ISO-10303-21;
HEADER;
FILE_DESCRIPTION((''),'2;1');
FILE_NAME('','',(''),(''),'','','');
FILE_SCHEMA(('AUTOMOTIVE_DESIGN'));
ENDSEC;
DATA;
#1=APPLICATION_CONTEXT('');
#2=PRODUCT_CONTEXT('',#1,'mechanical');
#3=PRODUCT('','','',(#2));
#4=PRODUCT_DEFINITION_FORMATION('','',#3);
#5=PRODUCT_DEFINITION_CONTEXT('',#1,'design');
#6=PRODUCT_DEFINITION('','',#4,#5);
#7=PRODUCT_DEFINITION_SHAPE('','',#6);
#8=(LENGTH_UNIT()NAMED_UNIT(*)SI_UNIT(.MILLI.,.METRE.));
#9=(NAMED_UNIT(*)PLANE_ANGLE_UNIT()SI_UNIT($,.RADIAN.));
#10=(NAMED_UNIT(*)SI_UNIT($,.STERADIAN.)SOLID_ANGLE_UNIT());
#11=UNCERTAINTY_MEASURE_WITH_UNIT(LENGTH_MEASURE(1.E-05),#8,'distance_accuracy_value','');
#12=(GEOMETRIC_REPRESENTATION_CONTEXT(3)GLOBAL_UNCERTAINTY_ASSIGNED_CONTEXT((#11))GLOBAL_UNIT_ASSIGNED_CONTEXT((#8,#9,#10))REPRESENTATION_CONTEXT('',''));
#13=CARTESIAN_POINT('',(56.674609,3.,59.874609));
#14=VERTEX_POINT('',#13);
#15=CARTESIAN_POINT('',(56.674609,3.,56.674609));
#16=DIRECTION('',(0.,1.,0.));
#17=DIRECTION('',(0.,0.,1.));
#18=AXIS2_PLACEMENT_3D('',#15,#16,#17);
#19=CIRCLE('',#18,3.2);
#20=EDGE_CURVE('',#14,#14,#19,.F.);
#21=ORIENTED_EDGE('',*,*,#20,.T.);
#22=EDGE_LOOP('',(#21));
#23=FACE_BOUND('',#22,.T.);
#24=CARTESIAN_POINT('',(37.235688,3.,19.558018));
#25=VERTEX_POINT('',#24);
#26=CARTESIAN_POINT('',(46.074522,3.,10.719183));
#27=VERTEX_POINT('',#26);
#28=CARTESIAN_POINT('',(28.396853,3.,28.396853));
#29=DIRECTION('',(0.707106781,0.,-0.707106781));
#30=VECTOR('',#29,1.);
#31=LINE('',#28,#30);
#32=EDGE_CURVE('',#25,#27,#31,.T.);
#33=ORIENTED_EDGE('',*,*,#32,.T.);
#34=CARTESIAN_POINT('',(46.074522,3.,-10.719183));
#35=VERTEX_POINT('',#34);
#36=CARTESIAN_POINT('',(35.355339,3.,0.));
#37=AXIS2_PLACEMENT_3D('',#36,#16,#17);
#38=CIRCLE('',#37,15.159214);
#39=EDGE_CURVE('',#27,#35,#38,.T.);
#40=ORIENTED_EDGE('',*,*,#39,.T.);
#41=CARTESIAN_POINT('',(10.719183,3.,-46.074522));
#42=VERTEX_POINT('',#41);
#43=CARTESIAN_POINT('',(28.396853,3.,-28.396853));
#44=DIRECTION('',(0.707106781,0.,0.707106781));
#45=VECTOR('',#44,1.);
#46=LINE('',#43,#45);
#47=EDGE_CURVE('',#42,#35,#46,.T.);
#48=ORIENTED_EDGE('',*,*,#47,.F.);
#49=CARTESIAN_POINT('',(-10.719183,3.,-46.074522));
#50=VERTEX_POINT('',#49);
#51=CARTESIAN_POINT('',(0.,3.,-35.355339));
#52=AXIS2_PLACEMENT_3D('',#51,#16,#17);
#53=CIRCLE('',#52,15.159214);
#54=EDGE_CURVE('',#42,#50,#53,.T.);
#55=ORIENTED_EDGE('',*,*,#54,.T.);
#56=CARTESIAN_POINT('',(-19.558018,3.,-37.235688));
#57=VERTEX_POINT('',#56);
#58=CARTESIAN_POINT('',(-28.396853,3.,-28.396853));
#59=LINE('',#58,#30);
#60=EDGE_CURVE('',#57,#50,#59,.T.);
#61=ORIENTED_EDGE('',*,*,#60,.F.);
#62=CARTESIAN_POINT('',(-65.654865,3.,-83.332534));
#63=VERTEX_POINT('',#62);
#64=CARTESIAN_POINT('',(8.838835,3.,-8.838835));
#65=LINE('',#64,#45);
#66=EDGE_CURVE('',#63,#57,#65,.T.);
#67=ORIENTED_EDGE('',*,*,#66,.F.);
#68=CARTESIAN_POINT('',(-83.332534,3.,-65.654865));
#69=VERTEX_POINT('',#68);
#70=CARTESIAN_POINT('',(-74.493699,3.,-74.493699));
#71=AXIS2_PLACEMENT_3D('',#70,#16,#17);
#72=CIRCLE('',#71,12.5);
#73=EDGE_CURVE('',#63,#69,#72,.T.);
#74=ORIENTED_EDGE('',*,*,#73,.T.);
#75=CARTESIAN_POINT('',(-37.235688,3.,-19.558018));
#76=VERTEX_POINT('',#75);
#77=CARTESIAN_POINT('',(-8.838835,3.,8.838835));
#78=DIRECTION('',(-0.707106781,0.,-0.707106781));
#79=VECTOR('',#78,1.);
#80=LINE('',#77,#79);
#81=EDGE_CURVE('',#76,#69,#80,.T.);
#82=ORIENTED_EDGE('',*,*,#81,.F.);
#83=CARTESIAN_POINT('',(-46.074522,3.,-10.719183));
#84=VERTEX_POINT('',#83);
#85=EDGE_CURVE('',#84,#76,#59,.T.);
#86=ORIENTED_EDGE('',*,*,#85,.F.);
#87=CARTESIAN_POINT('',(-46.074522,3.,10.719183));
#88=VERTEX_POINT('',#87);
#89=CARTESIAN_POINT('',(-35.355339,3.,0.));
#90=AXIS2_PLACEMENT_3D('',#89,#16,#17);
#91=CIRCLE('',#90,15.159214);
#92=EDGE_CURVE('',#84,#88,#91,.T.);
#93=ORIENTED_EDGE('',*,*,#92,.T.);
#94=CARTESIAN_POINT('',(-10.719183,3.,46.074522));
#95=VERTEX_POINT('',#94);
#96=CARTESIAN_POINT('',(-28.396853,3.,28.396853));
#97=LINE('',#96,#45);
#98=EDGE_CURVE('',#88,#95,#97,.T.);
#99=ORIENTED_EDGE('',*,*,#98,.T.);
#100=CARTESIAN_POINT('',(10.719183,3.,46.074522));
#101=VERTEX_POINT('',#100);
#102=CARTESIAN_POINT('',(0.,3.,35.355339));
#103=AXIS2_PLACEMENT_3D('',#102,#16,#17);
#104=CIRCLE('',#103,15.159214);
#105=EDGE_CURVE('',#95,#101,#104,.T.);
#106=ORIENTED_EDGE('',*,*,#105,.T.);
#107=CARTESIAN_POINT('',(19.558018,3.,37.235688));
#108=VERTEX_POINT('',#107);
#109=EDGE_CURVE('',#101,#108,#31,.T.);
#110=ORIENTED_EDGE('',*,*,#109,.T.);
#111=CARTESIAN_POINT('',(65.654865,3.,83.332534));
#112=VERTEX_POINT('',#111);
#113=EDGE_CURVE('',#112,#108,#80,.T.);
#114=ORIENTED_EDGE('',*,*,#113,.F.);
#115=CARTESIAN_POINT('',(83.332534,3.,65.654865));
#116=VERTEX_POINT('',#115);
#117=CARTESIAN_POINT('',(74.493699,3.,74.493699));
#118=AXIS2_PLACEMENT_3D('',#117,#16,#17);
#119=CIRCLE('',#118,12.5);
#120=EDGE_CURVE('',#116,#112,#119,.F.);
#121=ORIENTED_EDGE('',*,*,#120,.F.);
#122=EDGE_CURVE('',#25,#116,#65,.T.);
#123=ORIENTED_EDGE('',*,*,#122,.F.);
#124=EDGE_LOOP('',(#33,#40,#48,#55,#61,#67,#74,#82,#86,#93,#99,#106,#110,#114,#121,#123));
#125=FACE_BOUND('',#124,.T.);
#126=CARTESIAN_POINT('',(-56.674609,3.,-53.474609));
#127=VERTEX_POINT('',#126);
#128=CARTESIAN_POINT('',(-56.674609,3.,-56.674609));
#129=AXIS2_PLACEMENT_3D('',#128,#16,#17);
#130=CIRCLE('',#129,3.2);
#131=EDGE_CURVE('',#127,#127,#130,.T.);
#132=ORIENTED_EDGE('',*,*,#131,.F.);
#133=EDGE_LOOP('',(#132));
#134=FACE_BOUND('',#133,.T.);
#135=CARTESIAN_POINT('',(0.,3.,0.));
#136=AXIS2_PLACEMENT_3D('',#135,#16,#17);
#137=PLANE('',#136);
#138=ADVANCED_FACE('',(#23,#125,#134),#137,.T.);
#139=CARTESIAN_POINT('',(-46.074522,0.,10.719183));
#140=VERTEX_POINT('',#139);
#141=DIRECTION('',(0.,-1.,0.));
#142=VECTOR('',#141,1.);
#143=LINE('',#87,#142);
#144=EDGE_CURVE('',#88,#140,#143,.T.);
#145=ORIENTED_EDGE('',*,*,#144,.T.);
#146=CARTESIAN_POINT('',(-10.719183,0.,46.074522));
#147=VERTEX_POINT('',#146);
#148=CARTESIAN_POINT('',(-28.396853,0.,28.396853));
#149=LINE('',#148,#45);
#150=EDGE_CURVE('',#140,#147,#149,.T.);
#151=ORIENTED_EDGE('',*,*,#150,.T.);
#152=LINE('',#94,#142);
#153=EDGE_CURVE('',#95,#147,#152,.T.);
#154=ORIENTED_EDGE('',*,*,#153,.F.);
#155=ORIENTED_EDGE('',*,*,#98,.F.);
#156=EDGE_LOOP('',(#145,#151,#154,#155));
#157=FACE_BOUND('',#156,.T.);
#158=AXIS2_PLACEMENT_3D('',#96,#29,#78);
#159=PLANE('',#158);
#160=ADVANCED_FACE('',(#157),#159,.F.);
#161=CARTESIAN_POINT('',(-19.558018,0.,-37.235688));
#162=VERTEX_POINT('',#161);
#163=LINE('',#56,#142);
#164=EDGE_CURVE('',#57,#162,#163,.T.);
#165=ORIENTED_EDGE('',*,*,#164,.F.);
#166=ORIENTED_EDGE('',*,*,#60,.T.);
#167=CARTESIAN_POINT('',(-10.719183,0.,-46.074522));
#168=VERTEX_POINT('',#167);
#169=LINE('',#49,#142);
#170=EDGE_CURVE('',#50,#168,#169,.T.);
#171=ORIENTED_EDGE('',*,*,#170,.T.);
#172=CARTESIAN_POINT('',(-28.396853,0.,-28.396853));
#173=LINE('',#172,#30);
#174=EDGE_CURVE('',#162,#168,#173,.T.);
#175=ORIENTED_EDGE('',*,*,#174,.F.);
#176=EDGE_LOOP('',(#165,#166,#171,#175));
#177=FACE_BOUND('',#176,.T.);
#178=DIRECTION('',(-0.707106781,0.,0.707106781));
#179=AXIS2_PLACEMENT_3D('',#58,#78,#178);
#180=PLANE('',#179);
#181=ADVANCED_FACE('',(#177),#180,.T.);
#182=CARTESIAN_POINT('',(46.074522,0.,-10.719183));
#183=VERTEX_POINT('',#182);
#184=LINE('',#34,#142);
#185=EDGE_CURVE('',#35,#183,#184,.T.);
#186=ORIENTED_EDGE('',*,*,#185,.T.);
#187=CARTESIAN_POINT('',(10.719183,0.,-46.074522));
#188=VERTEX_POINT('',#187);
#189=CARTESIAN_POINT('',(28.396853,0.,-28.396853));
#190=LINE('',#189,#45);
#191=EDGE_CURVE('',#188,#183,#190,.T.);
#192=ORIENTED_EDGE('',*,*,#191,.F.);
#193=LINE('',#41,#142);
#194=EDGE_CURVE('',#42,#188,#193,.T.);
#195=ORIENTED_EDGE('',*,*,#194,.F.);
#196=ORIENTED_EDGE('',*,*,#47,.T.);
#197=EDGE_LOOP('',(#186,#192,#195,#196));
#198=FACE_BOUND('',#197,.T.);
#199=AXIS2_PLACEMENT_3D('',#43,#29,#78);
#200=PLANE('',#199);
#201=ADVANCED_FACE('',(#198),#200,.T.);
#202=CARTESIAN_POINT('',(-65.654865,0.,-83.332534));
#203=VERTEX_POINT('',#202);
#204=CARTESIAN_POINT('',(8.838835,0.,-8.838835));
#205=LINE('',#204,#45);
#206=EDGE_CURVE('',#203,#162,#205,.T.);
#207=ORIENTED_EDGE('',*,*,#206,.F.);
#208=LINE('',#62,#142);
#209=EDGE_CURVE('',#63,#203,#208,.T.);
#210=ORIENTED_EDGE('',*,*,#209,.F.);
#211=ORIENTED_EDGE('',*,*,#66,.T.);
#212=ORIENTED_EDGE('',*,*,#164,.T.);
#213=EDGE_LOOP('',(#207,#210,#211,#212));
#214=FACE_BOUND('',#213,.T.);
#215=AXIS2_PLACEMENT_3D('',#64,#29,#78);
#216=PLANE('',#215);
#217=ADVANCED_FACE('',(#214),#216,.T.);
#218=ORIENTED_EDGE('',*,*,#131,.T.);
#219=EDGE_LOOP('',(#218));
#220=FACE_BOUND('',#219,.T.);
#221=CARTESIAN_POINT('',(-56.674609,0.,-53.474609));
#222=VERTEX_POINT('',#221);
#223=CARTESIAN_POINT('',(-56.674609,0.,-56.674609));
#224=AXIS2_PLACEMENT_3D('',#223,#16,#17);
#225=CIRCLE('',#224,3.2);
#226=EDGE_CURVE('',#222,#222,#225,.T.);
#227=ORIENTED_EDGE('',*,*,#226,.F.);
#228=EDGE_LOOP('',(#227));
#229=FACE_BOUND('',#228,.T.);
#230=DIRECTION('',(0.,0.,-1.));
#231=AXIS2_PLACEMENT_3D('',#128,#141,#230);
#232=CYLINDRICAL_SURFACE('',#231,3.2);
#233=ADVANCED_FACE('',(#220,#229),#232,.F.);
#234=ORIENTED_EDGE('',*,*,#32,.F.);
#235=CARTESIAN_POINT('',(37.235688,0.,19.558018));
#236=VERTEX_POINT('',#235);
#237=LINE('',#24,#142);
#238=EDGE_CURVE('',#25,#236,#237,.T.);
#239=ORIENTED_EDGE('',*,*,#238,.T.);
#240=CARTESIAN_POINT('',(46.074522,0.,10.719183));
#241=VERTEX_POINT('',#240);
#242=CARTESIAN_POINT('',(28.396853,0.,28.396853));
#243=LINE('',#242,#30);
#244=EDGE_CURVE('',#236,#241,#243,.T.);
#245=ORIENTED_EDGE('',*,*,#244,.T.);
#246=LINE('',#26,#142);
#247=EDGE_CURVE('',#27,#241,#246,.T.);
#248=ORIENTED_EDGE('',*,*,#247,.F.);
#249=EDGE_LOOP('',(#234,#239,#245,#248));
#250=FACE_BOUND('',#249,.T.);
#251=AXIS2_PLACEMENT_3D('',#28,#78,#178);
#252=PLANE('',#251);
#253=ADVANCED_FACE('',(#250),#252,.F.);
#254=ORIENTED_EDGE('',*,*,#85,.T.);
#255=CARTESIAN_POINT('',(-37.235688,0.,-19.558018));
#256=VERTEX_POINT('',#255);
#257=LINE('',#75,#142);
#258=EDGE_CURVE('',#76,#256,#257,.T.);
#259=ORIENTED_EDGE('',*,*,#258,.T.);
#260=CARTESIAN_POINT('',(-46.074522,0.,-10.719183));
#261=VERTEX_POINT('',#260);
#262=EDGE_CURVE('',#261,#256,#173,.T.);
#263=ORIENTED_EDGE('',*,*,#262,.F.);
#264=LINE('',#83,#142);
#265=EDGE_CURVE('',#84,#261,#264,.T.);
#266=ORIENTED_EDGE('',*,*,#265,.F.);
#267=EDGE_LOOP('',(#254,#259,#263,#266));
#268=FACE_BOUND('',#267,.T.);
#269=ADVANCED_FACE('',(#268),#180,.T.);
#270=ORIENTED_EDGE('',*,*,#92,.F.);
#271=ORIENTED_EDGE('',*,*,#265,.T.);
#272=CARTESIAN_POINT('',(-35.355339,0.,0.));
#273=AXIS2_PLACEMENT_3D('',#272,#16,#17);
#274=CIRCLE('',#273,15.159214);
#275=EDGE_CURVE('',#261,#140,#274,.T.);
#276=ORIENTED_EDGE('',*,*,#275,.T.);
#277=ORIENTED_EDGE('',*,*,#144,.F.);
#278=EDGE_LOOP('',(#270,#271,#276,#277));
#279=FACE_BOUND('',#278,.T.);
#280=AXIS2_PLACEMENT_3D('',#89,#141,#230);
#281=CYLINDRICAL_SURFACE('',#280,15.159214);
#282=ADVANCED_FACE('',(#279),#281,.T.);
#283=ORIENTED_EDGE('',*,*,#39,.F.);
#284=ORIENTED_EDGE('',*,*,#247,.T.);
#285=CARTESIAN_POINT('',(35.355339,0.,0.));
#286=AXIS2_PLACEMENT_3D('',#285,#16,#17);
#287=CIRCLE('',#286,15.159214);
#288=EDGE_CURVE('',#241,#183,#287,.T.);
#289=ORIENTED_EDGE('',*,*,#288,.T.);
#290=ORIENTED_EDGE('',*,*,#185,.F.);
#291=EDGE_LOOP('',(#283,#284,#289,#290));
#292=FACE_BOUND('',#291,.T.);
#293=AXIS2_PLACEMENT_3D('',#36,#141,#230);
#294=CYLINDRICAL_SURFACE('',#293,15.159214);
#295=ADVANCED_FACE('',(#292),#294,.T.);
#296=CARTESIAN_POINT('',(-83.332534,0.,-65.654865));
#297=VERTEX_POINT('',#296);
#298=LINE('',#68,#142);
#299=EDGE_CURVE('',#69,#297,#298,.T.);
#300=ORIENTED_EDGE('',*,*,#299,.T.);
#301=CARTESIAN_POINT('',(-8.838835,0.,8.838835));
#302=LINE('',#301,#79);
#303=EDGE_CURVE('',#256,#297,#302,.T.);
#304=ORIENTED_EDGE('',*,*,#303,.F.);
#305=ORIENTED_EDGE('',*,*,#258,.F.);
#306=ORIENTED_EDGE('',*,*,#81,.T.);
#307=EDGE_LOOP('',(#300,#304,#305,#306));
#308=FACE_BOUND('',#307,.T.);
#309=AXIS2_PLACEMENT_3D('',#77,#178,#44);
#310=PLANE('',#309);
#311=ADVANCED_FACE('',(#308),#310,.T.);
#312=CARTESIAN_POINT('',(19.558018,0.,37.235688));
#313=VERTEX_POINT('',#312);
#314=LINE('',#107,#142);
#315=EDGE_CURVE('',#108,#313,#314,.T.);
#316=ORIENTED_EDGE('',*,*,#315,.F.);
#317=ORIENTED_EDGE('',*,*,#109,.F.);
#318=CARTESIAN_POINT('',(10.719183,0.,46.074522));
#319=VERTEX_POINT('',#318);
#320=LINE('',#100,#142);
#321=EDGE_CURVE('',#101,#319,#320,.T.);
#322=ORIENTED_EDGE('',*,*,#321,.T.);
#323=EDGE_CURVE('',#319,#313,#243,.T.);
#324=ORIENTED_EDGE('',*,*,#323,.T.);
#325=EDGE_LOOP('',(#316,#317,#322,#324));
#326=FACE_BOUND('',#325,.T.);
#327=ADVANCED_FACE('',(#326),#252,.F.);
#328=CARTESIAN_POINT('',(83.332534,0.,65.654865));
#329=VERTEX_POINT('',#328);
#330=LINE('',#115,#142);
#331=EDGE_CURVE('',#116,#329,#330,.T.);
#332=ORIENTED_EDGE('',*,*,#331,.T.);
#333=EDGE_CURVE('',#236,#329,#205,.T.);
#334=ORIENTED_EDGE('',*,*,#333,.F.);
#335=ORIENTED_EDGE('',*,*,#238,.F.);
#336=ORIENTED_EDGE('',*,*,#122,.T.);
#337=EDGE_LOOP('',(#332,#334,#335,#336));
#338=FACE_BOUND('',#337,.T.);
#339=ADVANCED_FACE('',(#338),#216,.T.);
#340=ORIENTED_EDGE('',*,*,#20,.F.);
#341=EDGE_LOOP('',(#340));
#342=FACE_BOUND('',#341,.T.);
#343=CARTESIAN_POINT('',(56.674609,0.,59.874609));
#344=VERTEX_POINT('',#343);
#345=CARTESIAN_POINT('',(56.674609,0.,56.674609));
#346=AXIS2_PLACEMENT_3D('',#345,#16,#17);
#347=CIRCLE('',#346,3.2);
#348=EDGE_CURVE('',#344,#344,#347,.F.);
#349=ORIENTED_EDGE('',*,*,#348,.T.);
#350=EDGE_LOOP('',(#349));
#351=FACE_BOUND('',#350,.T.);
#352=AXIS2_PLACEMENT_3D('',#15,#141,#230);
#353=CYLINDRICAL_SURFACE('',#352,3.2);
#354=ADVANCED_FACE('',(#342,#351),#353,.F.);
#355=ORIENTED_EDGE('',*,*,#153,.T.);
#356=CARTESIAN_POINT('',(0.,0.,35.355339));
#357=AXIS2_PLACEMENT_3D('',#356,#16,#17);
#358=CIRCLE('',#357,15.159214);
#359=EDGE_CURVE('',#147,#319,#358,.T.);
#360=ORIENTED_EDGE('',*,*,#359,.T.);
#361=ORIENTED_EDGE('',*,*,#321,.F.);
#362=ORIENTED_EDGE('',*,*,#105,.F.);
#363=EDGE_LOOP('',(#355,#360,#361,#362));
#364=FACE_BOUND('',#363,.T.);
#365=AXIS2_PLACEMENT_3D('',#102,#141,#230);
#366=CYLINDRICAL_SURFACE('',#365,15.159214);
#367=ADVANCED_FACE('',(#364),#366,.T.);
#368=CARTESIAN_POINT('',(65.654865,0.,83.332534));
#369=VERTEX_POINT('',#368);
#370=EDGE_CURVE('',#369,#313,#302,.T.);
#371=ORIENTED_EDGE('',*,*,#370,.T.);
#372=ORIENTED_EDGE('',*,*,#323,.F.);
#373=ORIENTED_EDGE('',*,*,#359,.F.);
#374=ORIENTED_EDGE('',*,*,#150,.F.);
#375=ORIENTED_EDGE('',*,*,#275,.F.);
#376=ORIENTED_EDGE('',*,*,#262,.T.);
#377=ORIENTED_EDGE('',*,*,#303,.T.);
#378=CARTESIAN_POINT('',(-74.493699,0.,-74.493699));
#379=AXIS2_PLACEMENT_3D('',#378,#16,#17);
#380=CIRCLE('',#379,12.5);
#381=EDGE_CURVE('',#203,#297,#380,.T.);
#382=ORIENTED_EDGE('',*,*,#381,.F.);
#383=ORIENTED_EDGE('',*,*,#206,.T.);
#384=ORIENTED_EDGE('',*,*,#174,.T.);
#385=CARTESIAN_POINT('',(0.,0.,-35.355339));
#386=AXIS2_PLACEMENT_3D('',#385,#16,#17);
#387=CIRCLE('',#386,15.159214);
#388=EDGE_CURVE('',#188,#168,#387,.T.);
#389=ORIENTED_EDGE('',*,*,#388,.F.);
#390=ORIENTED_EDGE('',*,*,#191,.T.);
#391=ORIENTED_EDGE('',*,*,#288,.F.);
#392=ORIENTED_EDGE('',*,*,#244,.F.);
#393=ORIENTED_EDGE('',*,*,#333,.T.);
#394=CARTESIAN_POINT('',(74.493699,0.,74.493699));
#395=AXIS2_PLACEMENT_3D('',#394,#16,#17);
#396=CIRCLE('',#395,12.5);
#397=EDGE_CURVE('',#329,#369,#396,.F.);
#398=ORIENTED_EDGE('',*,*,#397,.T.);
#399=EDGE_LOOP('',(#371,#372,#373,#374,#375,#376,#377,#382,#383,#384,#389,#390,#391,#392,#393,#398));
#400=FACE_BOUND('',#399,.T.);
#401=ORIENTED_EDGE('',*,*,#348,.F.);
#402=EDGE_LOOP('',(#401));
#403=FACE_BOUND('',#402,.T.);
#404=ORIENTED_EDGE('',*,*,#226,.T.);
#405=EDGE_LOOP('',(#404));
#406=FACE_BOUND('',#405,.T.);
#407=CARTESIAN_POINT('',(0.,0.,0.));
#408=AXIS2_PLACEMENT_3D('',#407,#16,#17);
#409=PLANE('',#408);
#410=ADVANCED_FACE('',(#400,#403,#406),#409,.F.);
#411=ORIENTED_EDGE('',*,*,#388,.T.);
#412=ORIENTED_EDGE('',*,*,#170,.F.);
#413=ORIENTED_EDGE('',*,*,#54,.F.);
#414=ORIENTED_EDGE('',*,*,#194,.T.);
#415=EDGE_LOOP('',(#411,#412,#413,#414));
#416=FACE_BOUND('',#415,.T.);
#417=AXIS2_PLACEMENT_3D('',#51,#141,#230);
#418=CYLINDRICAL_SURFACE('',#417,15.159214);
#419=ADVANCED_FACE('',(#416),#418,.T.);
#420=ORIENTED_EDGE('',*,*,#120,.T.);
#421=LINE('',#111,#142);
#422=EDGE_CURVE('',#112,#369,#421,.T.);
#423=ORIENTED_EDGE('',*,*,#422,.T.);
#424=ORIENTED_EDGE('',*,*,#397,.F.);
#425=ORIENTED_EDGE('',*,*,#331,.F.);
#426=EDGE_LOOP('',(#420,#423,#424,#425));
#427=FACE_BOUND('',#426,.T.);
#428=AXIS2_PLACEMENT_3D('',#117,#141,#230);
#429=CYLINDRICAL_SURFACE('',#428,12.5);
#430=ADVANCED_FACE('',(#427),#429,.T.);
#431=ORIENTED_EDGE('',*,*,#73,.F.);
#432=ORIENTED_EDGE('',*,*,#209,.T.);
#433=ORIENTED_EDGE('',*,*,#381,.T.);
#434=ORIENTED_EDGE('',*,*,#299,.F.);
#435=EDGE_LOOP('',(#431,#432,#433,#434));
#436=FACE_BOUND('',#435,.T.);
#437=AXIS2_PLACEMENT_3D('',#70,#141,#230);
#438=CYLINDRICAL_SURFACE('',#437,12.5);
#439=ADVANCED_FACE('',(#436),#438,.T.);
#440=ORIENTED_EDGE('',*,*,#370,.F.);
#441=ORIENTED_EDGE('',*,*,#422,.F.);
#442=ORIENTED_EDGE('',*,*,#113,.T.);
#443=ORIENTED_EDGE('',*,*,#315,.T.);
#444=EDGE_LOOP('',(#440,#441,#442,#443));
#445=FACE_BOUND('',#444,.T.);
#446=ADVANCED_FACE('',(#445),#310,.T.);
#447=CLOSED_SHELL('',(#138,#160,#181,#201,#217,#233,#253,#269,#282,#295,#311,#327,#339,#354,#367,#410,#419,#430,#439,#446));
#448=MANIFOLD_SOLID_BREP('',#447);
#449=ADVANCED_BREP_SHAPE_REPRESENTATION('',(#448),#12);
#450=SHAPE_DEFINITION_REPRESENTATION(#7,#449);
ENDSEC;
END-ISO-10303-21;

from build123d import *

# Parameters (mm, degrees)
SKETCH1_R           = 3.2
BOSS_EXTRUDE1_DEPTH = 3


with BuildPart() as part:
    # Sketch1 → Boss-Extrude1 (new body)
    with BuildSketch(Plane(origin=(0, 0, 0), x_dir=(1, 0, 0), z_dir=(0, 1, 0))):
        with BuildLine():
            Line((-46.074522422, 10.719183363), (-37.235687657, 19.558018127))
            Line((-37.235687657, 19.558018127), (-74.493699398, 56.816029868))
            Line((-74.493699398, 56.816029868), (-83.332534163, 65.654864633))
            ThreePointArc((-83.332534163, 65.654864633), (-83.332534163, 83.332534163), (-65.654864633, 83.332534163))
            Line((-65.654864633, 83.332534163), (-56.816029868, 74.493699398))
            Line((-56.816029868, 74.493699398), (-19.558018127, 37.235687657))
            Line((-19.558018127, 37.235687657), (-10.719183363, 46.074522422))
            ThreePointArc((-10.719183363, 46.074522422), (0, 50.514553548), (10.719183363, 46.074522422))
            Line((10.719183363, 46.074522422), (46.074522422, 10.719183363))
            ThreePointArc((46.074522422, 10.719183363), (50.514553548, 0), (46.074522422, -10.719183363))
            Line((46.074522422, -10.719183363), (37.235687657, -19.558018127))
            Line((37.235687657, -19.558018127), (74.493699398, -56.816029868))
            Line((74.493699398, -56.816029868), (83.332534163, -65.654864633))
            ThreePointArc((83.332534163, -65.654864633), (83.332534163, -83.332534163), (65.654864633, -83.332534163))
            Line((65.654864633, -83.332534163), (56.816029868, -74.493699398))
            Line((56.816029868, -74.493699398), (19.558018127, -37.235687657))
            Line((19.558018127, -37.235687657), (10.719183363, -46.074522422))
            ThreePointArc((10.719183363, -46.074522422), (0, -50.514553548), (-10.719183363, -46.074522422))
            Line((-10.719183363, -46.074522422), (-46.074522422, -10.719183363))
            ThreePointArc((-46.074522422, -10.719183363), (-50.514553548, 0), (-46.074522422, 10.719183363))
        make_face()
        with Locations((56.674608512, -56.674608512)):
            Circle(SKETCH1_R, mode=Mode.SUBTRACT)
        with Locations((-56.674608512, 56.674608512)):
            Circle(SKETCH1_R, mode=Mode.SUBTRACT)
    extrude(amount=BOSS_EXTRUDE1_DEPTH)


solid = part.part
